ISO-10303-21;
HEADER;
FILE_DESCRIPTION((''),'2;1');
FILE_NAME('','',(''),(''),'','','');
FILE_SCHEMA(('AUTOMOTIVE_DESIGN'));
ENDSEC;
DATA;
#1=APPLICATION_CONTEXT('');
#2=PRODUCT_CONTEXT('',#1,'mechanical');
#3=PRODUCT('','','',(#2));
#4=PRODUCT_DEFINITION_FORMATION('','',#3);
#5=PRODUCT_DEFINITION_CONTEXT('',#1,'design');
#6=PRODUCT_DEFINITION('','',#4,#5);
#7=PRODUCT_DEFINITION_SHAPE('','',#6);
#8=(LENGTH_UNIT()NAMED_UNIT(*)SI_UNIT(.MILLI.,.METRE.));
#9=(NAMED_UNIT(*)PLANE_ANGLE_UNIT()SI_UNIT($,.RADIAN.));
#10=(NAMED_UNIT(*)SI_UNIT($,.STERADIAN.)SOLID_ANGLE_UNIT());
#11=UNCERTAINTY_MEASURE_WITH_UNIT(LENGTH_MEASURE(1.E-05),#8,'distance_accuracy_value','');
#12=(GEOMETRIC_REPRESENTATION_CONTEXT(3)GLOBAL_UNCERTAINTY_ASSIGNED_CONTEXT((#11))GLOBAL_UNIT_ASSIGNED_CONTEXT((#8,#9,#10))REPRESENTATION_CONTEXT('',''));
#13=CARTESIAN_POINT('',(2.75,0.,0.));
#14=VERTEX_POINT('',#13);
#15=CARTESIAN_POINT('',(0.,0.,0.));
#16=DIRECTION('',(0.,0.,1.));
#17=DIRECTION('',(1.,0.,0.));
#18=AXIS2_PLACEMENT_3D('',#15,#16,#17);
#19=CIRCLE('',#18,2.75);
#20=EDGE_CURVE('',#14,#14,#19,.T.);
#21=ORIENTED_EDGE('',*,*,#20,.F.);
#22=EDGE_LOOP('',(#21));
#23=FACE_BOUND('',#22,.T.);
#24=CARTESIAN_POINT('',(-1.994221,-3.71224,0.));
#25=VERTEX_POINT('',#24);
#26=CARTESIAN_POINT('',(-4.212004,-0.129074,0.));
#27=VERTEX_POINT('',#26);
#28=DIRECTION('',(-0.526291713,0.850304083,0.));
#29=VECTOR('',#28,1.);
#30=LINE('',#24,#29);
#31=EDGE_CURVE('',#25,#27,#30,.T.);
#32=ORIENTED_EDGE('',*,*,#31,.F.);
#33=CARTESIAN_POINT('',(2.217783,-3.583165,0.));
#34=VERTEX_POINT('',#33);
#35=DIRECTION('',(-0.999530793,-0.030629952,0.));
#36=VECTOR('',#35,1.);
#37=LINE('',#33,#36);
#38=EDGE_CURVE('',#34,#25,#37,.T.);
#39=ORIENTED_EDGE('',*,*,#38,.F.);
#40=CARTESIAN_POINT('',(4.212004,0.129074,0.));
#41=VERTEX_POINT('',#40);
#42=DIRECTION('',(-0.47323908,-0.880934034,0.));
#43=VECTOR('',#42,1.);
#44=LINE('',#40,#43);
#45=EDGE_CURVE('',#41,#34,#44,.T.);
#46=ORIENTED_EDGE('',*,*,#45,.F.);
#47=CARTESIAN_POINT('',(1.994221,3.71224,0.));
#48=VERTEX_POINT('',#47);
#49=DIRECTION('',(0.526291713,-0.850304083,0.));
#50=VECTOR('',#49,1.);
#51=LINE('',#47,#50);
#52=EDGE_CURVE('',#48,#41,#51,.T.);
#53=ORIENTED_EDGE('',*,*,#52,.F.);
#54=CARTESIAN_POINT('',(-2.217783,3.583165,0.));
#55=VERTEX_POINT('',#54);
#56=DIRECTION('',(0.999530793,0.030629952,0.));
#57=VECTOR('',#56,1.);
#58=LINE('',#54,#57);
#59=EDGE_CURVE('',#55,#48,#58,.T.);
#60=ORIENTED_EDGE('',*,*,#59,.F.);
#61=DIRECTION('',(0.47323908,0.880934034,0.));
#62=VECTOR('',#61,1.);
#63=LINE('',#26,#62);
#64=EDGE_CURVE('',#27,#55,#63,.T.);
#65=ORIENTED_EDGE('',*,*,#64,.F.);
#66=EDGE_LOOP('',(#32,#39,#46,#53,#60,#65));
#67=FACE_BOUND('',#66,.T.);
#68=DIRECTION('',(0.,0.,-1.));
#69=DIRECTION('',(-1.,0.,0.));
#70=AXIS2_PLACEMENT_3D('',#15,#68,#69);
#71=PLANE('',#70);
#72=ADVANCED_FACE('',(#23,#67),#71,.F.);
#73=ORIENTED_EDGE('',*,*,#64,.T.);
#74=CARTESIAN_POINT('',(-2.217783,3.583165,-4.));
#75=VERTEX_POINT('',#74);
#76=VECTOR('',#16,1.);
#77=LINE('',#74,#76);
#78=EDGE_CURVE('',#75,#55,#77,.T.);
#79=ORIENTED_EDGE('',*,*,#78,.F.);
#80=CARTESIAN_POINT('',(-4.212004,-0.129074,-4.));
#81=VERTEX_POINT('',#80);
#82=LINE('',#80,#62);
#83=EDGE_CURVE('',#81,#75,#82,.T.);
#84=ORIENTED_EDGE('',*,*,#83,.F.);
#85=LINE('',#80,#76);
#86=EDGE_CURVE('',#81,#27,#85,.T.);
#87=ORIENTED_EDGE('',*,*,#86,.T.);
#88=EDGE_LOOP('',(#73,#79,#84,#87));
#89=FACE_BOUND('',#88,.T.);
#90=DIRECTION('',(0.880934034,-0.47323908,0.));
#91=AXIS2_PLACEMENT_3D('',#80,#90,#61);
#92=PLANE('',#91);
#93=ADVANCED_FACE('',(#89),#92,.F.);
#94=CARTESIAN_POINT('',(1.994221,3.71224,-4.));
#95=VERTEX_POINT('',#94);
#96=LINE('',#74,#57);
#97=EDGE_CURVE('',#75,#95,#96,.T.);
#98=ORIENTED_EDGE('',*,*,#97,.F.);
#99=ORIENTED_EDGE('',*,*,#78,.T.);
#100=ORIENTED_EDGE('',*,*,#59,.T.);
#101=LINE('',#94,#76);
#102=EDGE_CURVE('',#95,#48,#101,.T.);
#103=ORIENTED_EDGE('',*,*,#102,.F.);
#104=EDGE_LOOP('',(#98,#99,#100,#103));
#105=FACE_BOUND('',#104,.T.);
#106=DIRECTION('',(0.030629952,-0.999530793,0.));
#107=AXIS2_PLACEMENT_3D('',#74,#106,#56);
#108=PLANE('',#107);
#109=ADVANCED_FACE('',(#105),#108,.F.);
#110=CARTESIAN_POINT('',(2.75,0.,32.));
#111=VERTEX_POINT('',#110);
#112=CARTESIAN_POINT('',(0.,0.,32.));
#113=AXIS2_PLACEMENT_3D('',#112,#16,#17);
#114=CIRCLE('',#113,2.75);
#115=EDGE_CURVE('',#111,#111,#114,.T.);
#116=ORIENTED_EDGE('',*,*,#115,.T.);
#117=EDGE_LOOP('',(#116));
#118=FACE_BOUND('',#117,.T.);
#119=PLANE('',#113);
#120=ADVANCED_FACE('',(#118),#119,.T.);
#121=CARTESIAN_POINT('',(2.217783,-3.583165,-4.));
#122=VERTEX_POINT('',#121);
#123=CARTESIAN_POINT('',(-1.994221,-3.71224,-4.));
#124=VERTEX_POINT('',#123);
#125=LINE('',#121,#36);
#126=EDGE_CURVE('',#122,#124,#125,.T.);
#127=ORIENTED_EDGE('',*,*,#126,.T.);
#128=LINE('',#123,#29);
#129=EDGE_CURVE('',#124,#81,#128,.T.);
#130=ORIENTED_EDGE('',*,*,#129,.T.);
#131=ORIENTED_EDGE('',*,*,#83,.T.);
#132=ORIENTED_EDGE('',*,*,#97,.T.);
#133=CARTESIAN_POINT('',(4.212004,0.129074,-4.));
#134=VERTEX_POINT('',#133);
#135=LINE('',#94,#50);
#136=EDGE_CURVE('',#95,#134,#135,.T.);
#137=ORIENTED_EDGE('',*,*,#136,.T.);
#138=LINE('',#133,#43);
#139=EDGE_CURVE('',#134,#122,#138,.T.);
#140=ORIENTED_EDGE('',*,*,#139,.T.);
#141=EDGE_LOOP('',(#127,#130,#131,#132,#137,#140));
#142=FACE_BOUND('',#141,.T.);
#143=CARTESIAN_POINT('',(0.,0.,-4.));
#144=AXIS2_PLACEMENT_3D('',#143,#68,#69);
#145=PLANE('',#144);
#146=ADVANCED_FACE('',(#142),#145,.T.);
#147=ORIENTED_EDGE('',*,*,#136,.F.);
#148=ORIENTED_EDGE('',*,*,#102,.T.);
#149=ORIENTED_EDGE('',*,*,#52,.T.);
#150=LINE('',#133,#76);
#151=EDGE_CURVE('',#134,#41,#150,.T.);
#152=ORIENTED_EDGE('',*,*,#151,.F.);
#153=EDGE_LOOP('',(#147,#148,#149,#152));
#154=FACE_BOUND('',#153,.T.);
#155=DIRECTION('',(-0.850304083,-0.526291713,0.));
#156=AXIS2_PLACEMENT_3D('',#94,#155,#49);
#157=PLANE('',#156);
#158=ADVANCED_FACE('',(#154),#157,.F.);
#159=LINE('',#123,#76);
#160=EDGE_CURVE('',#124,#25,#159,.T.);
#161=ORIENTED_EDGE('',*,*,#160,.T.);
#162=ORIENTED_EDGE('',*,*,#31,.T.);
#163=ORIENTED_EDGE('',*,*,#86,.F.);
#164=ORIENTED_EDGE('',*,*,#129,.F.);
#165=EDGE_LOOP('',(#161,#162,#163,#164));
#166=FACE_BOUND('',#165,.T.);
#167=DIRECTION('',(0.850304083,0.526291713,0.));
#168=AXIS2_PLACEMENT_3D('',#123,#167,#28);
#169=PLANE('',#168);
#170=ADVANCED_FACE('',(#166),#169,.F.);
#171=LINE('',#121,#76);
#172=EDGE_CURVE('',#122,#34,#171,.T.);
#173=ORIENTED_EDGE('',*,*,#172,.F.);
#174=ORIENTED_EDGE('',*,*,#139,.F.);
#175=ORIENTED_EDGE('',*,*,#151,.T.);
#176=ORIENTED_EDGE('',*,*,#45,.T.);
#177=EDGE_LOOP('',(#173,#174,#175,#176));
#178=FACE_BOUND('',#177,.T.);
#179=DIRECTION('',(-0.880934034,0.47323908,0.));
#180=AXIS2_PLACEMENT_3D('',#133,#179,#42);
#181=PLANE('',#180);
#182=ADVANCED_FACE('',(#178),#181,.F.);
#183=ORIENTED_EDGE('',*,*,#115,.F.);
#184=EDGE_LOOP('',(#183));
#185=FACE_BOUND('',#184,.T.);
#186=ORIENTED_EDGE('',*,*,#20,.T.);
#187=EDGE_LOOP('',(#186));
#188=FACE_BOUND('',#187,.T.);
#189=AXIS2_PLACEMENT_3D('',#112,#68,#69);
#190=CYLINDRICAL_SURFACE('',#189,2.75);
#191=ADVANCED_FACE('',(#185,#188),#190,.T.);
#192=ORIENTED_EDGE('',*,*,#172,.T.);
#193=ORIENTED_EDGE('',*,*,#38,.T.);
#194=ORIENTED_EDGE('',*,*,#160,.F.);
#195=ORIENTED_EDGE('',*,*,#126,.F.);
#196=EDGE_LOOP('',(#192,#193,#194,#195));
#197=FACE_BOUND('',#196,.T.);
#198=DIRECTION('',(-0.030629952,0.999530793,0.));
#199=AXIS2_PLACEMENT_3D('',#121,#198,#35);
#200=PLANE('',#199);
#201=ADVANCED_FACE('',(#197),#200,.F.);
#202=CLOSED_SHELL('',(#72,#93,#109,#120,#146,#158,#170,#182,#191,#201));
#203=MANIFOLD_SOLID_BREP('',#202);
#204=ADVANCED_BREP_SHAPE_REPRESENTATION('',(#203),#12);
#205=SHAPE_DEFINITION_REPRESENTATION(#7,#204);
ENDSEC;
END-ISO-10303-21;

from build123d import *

# Parameters (mm, degrees)
SKETCH1_R           = 2.75
BOSS_EXTRUDE1_DEPTH = 32
BOSS_EXTRUDE2_DEPTH = 4


with BuildPart() as part:
    # Sketch1 → Boss-Extrude1 (new body)
    with BuildSketch(Plane.XY):
        Circle(SKETCH1_R)
    extrude(amount=BOSS_EXTRUDE1_DEPTH)

    # Sketch2 → Boss-Extrude2 (add)
    with BuildSketch(Plane(origin=(0, 0, 0), x_dir=(-1, 0, 0), z_dir=(0, 0, -1))):
        Polygon((1.994220627, -3.712239535), (4.212004056, -0.129074044), (2.217783429, 3.583165492), (-1.994220627, 3.712239535), (-4.212004056, 0.129074044), (-2.217783429, -3.583165492), align=None)
    extrude(amount=BOSS_EXTRUDE2_DEPTH)


solid = part.part
